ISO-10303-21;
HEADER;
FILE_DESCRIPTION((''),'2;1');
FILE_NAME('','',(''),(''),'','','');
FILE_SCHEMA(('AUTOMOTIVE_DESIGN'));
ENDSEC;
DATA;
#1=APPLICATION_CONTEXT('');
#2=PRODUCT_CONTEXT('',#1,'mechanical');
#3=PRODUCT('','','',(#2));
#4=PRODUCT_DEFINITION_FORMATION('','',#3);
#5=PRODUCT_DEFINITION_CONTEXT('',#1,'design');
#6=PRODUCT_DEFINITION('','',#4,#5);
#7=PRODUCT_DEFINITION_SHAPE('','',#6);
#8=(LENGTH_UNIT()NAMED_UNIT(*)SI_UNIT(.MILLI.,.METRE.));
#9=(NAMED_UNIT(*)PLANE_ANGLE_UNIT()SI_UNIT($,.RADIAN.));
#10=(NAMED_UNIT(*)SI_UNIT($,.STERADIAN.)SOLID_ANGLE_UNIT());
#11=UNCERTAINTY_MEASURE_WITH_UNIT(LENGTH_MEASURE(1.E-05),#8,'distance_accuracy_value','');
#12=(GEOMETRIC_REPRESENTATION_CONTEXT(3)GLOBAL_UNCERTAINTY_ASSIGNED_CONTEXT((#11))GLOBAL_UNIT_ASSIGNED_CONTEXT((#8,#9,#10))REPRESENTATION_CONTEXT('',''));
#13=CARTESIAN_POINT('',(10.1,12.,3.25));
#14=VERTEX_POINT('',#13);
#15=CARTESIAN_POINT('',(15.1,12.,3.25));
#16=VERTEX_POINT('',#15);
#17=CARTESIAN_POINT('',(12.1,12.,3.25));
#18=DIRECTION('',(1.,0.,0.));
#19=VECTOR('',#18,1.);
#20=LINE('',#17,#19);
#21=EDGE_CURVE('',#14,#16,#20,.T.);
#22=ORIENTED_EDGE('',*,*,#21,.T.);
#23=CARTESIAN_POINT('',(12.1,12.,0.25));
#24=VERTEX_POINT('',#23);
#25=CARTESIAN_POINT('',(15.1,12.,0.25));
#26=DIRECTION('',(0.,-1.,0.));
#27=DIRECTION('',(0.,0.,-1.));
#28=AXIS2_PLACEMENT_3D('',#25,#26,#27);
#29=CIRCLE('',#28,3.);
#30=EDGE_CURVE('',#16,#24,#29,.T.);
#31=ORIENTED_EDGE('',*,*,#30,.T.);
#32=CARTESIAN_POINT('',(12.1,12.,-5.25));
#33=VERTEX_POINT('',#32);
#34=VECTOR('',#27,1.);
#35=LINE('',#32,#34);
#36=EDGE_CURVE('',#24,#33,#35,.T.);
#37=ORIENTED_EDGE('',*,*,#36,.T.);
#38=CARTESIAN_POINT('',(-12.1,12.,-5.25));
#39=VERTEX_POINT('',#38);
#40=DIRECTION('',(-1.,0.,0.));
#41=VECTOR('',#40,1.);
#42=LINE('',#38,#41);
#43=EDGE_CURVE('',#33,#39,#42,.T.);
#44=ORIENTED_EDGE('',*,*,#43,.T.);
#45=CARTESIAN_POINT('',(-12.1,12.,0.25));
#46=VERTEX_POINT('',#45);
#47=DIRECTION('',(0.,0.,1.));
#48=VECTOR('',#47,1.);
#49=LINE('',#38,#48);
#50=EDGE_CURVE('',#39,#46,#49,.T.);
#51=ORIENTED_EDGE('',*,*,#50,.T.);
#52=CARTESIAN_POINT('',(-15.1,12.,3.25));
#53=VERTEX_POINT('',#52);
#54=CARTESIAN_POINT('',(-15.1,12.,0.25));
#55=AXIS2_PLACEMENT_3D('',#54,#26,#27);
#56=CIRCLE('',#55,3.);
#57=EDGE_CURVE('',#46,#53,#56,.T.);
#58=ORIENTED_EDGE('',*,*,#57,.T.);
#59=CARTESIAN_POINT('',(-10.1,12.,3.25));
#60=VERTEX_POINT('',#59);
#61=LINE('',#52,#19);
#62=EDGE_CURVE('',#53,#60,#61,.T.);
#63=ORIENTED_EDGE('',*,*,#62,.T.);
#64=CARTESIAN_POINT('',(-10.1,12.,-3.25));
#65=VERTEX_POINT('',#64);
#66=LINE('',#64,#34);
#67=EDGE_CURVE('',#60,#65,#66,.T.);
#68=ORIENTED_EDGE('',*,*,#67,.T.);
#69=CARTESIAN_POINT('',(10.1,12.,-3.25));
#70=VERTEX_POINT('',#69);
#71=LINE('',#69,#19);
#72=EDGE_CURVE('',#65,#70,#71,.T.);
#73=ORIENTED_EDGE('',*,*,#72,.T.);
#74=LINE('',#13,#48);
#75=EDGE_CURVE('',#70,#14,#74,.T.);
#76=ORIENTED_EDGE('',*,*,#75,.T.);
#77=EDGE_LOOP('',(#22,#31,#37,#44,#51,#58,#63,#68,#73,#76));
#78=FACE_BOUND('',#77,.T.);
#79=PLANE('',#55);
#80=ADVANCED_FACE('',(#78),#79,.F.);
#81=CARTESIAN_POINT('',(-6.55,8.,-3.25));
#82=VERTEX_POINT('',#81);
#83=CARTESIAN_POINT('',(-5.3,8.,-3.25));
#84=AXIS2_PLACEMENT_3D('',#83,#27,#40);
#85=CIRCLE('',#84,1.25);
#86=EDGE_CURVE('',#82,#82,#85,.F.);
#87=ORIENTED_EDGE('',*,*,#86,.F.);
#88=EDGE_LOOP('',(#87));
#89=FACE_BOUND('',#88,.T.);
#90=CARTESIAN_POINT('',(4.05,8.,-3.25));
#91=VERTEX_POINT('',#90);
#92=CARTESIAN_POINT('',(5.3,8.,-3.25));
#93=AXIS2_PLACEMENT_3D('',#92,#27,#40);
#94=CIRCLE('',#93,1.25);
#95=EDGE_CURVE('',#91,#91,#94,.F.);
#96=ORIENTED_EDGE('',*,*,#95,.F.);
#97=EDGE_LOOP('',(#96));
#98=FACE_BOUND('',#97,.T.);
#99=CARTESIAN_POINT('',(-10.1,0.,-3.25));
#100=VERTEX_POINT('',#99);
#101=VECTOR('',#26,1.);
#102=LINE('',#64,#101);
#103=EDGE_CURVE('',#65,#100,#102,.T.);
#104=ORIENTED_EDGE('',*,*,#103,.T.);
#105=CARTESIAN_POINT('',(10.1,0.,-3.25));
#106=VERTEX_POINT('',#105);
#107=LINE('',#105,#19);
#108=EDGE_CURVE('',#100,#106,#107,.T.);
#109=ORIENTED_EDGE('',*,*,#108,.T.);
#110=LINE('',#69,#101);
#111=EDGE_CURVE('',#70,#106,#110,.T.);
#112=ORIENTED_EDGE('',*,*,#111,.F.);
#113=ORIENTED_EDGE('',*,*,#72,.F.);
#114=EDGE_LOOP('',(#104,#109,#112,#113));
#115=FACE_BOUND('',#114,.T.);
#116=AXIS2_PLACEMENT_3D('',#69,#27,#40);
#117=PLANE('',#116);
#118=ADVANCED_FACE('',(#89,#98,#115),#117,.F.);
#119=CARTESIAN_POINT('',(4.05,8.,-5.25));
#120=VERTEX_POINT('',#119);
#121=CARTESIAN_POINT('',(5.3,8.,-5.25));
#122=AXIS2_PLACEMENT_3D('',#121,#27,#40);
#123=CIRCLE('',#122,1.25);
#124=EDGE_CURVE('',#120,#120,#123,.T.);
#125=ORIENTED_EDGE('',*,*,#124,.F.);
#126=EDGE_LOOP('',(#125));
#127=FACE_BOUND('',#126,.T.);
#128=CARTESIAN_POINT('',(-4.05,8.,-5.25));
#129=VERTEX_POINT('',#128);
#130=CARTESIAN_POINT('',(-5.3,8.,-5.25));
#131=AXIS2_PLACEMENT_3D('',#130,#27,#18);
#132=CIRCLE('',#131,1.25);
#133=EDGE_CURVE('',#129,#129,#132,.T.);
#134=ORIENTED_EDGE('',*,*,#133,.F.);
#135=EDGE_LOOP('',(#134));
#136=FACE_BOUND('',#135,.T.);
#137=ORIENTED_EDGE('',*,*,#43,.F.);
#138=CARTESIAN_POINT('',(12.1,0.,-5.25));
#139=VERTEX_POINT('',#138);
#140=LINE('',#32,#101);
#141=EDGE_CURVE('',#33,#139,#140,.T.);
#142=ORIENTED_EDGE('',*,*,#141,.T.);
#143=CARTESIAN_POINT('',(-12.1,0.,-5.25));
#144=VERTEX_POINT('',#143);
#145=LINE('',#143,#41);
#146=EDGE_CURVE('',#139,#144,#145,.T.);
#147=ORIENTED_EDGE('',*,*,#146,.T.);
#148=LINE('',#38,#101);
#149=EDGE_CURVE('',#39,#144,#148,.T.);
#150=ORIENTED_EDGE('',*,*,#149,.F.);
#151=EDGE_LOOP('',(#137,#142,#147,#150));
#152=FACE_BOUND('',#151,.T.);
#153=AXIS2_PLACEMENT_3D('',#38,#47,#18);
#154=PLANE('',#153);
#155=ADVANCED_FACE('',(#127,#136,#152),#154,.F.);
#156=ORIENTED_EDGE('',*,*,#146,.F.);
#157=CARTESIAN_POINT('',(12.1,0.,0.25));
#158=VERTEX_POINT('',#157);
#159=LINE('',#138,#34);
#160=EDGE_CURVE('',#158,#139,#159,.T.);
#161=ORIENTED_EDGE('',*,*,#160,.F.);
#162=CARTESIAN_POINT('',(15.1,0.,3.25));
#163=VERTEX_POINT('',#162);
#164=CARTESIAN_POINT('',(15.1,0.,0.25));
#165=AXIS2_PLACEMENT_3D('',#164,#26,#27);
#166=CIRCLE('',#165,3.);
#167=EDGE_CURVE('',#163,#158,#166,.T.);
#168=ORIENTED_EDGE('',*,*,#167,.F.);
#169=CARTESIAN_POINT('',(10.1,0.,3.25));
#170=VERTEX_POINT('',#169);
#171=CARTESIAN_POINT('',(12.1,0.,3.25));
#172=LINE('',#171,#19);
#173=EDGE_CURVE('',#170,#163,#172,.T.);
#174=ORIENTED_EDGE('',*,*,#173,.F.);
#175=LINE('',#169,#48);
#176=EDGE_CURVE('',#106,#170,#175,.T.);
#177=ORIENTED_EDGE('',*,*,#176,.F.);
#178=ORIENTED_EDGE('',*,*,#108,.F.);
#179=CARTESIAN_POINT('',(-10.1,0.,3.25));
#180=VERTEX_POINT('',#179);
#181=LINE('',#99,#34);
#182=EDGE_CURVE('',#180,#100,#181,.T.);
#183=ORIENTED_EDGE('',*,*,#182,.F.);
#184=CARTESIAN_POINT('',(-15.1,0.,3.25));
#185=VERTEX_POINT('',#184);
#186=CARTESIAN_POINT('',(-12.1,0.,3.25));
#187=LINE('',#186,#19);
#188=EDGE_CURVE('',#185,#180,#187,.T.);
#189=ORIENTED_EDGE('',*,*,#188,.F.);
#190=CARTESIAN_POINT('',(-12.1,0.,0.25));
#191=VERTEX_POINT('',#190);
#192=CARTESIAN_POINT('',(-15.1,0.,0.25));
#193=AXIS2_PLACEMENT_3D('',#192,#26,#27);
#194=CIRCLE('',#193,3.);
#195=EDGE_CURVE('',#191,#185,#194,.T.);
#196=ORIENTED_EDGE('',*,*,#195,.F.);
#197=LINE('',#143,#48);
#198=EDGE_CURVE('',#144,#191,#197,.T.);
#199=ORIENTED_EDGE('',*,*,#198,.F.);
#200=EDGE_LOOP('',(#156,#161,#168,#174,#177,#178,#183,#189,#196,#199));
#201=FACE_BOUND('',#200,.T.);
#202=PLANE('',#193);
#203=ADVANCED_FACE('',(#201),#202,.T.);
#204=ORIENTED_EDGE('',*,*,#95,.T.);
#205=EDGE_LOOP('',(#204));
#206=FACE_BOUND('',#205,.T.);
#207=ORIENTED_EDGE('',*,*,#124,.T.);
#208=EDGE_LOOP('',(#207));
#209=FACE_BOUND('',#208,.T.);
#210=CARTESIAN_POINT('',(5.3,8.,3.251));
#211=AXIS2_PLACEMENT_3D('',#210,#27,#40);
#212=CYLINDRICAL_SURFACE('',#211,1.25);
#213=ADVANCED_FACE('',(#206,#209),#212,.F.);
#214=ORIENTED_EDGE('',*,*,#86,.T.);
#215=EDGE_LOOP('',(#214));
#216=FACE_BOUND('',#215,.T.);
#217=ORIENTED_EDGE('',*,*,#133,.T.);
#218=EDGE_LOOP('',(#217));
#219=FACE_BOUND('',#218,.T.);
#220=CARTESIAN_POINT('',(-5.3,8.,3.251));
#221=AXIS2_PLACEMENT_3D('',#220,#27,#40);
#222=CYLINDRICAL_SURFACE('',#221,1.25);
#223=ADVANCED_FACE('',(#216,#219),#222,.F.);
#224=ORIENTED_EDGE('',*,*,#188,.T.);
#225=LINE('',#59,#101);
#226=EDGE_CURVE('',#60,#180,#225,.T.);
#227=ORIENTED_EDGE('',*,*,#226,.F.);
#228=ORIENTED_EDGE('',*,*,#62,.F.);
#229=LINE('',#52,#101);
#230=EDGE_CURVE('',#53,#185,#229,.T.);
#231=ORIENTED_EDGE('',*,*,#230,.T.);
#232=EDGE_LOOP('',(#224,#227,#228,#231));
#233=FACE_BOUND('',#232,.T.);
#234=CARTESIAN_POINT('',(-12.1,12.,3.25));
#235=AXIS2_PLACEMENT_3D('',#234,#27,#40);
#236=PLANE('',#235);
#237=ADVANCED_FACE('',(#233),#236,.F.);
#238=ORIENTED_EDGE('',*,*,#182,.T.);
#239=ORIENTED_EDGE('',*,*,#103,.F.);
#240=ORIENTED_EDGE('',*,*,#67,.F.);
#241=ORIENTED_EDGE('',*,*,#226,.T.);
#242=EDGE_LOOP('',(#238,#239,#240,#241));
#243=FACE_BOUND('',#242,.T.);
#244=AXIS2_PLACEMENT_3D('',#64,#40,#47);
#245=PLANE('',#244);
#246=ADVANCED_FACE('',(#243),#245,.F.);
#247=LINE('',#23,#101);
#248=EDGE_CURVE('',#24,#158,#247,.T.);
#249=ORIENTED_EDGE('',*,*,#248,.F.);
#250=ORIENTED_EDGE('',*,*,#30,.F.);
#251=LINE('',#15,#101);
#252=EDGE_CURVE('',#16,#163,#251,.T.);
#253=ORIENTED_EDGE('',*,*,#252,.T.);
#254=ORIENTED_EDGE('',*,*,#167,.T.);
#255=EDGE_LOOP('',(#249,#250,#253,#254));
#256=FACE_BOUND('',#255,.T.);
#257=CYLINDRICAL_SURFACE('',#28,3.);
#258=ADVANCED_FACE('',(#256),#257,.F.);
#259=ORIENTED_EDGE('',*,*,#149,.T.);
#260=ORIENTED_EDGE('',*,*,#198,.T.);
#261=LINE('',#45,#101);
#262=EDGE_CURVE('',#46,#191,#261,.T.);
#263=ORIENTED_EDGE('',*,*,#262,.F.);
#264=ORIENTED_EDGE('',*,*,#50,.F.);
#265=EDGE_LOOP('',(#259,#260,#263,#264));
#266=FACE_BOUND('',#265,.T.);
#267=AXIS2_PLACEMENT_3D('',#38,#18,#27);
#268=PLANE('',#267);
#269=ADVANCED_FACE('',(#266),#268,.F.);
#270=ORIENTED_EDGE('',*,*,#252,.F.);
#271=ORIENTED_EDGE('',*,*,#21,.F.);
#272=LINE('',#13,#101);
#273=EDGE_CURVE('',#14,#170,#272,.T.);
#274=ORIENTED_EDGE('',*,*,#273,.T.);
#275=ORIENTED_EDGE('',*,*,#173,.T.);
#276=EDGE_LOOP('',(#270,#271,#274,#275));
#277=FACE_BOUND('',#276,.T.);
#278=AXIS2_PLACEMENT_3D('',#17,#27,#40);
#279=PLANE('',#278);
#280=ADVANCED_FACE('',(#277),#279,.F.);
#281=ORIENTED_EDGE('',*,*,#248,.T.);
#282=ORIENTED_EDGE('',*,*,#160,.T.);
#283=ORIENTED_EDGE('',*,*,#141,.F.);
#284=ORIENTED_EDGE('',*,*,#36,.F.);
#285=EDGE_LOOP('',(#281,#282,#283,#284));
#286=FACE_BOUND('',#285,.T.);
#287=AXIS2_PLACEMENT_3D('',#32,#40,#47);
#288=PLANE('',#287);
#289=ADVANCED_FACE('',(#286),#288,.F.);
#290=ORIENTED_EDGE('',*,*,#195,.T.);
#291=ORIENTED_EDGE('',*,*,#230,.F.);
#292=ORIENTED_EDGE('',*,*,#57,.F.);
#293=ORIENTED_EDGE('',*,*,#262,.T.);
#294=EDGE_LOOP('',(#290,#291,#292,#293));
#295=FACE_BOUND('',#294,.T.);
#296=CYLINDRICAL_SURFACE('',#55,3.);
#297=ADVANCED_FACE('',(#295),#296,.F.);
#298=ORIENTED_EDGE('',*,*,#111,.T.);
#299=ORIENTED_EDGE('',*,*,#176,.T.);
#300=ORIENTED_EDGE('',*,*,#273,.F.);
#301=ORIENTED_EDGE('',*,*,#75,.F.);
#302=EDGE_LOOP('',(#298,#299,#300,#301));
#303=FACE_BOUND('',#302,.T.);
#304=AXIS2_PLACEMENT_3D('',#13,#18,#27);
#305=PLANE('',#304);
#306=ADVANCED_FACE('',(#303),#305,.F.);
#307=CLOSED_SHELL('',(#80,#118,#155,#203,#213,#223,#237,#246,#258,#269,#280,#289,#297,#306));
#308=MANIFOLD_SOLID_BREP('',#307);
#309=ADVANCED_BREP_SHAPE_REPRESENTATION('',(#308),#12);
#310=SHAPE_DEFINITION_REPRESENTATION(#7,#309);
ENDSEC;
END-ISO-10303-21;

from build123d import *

# Parameters (mm, degrees)
BOSS_EXTRU_1_DEPTH      = 12
ENL_V_MAT_EXTRU_1_REACH = 23.077
ESQUISSE3_R             = 1.25


with BuildPart() as part:
    # Esquisse1 → Boss.-Extru.1 (new body)
    with BuildSketch(Plane(origin=(0, 0, 0), x_dir=(1, 0, 0), z_dir=(0, 1, 0))):
        with BuildLine():
            Line((-10.1, 3.25), (-10.1, -3.25))
            Line((-10.1, -3.25), (-12.1, -3.25))
            Line((-12.1, -3.25), (-15.1, -3.25))
            ThreePointArc((-15.1, -3.25), (-12.978679656, -2.371320344), (-12.1, -0.25))
            Line((-12.1, -0.25), (-12.1, 5.25))
            Line((-12.1, 5.25), (12.1, 5.25))
            Line((12.1, 5.25), (12.1, -0.25))
            ThreePointArc((12.1, -0.25), (12.978679656, -2.371320344), (15.1, -3.25))
            Line((15.1, -3.25), (12.1, -3.25))
            Line((12.1, -3.25), (10.1, -3.25))
            Line((10.1, -3.25), (10.1, 3.25))
            Line((10.1, 3.25), (-10.1, 3.25))
        make_face()
    extrude(amount=BOSS_EXTRU_1_DEPTH)

    # Esquisse3 → Enlèv. mat.-Extru.1 (cut, up to next)
    with BuildSketch(Plane(origin=(0, 0, -5.25), x_dir=(-1, 0, 0), z_dir=(0, 0, -1)), mode=Mode.PRIVATE) as enl_v_mat_extru_1_sk1:
        with Locations((-5.3, 8)):
            Circle(ESQUISSE3_R)
    enl_v_mat_extru_1_tool1 = extrude(enl_v_mat_extru_1_sk1.sketch, amount=-ENL_V_MAT_EXTRU_1_REACH, mode=Mode.PRIVATE) & part.part
    # Esquisse3 → Enlèv. mat.-Extru.1 (cut, up to next)
    with BuildSketch(Plane(origin=(0, 0, -5.25), x_dir=(-1, 0, 0), z_dir=(0, 0, -1)), mode=Mode.PRIVATE) as enl_v_mat_extru_1_sk2:
        with Locations((5.3, 8)):
            Circle(ESQUISSE3_R)
    enl_v_mat_extru_1_tool2 = extrude(enl_v_mat_extru_1_sk2.sketch, amount=-ENL_V_MAT_EXTRU_1_REACH, mode=Mode.PRIVATE) & part.part
    add(enl_v_mat_extru_1_tool1.solids().sort_by_distance((5.3, 8, -5.25))[0], mode=Mode.SUBTRACT)
    add(enl_v_mat_extru_1_tool2.solids().sort_by_distance((-5.3, 8, -5.25))[0], mode=Mode.SUBTRACT)


solid = part.part
